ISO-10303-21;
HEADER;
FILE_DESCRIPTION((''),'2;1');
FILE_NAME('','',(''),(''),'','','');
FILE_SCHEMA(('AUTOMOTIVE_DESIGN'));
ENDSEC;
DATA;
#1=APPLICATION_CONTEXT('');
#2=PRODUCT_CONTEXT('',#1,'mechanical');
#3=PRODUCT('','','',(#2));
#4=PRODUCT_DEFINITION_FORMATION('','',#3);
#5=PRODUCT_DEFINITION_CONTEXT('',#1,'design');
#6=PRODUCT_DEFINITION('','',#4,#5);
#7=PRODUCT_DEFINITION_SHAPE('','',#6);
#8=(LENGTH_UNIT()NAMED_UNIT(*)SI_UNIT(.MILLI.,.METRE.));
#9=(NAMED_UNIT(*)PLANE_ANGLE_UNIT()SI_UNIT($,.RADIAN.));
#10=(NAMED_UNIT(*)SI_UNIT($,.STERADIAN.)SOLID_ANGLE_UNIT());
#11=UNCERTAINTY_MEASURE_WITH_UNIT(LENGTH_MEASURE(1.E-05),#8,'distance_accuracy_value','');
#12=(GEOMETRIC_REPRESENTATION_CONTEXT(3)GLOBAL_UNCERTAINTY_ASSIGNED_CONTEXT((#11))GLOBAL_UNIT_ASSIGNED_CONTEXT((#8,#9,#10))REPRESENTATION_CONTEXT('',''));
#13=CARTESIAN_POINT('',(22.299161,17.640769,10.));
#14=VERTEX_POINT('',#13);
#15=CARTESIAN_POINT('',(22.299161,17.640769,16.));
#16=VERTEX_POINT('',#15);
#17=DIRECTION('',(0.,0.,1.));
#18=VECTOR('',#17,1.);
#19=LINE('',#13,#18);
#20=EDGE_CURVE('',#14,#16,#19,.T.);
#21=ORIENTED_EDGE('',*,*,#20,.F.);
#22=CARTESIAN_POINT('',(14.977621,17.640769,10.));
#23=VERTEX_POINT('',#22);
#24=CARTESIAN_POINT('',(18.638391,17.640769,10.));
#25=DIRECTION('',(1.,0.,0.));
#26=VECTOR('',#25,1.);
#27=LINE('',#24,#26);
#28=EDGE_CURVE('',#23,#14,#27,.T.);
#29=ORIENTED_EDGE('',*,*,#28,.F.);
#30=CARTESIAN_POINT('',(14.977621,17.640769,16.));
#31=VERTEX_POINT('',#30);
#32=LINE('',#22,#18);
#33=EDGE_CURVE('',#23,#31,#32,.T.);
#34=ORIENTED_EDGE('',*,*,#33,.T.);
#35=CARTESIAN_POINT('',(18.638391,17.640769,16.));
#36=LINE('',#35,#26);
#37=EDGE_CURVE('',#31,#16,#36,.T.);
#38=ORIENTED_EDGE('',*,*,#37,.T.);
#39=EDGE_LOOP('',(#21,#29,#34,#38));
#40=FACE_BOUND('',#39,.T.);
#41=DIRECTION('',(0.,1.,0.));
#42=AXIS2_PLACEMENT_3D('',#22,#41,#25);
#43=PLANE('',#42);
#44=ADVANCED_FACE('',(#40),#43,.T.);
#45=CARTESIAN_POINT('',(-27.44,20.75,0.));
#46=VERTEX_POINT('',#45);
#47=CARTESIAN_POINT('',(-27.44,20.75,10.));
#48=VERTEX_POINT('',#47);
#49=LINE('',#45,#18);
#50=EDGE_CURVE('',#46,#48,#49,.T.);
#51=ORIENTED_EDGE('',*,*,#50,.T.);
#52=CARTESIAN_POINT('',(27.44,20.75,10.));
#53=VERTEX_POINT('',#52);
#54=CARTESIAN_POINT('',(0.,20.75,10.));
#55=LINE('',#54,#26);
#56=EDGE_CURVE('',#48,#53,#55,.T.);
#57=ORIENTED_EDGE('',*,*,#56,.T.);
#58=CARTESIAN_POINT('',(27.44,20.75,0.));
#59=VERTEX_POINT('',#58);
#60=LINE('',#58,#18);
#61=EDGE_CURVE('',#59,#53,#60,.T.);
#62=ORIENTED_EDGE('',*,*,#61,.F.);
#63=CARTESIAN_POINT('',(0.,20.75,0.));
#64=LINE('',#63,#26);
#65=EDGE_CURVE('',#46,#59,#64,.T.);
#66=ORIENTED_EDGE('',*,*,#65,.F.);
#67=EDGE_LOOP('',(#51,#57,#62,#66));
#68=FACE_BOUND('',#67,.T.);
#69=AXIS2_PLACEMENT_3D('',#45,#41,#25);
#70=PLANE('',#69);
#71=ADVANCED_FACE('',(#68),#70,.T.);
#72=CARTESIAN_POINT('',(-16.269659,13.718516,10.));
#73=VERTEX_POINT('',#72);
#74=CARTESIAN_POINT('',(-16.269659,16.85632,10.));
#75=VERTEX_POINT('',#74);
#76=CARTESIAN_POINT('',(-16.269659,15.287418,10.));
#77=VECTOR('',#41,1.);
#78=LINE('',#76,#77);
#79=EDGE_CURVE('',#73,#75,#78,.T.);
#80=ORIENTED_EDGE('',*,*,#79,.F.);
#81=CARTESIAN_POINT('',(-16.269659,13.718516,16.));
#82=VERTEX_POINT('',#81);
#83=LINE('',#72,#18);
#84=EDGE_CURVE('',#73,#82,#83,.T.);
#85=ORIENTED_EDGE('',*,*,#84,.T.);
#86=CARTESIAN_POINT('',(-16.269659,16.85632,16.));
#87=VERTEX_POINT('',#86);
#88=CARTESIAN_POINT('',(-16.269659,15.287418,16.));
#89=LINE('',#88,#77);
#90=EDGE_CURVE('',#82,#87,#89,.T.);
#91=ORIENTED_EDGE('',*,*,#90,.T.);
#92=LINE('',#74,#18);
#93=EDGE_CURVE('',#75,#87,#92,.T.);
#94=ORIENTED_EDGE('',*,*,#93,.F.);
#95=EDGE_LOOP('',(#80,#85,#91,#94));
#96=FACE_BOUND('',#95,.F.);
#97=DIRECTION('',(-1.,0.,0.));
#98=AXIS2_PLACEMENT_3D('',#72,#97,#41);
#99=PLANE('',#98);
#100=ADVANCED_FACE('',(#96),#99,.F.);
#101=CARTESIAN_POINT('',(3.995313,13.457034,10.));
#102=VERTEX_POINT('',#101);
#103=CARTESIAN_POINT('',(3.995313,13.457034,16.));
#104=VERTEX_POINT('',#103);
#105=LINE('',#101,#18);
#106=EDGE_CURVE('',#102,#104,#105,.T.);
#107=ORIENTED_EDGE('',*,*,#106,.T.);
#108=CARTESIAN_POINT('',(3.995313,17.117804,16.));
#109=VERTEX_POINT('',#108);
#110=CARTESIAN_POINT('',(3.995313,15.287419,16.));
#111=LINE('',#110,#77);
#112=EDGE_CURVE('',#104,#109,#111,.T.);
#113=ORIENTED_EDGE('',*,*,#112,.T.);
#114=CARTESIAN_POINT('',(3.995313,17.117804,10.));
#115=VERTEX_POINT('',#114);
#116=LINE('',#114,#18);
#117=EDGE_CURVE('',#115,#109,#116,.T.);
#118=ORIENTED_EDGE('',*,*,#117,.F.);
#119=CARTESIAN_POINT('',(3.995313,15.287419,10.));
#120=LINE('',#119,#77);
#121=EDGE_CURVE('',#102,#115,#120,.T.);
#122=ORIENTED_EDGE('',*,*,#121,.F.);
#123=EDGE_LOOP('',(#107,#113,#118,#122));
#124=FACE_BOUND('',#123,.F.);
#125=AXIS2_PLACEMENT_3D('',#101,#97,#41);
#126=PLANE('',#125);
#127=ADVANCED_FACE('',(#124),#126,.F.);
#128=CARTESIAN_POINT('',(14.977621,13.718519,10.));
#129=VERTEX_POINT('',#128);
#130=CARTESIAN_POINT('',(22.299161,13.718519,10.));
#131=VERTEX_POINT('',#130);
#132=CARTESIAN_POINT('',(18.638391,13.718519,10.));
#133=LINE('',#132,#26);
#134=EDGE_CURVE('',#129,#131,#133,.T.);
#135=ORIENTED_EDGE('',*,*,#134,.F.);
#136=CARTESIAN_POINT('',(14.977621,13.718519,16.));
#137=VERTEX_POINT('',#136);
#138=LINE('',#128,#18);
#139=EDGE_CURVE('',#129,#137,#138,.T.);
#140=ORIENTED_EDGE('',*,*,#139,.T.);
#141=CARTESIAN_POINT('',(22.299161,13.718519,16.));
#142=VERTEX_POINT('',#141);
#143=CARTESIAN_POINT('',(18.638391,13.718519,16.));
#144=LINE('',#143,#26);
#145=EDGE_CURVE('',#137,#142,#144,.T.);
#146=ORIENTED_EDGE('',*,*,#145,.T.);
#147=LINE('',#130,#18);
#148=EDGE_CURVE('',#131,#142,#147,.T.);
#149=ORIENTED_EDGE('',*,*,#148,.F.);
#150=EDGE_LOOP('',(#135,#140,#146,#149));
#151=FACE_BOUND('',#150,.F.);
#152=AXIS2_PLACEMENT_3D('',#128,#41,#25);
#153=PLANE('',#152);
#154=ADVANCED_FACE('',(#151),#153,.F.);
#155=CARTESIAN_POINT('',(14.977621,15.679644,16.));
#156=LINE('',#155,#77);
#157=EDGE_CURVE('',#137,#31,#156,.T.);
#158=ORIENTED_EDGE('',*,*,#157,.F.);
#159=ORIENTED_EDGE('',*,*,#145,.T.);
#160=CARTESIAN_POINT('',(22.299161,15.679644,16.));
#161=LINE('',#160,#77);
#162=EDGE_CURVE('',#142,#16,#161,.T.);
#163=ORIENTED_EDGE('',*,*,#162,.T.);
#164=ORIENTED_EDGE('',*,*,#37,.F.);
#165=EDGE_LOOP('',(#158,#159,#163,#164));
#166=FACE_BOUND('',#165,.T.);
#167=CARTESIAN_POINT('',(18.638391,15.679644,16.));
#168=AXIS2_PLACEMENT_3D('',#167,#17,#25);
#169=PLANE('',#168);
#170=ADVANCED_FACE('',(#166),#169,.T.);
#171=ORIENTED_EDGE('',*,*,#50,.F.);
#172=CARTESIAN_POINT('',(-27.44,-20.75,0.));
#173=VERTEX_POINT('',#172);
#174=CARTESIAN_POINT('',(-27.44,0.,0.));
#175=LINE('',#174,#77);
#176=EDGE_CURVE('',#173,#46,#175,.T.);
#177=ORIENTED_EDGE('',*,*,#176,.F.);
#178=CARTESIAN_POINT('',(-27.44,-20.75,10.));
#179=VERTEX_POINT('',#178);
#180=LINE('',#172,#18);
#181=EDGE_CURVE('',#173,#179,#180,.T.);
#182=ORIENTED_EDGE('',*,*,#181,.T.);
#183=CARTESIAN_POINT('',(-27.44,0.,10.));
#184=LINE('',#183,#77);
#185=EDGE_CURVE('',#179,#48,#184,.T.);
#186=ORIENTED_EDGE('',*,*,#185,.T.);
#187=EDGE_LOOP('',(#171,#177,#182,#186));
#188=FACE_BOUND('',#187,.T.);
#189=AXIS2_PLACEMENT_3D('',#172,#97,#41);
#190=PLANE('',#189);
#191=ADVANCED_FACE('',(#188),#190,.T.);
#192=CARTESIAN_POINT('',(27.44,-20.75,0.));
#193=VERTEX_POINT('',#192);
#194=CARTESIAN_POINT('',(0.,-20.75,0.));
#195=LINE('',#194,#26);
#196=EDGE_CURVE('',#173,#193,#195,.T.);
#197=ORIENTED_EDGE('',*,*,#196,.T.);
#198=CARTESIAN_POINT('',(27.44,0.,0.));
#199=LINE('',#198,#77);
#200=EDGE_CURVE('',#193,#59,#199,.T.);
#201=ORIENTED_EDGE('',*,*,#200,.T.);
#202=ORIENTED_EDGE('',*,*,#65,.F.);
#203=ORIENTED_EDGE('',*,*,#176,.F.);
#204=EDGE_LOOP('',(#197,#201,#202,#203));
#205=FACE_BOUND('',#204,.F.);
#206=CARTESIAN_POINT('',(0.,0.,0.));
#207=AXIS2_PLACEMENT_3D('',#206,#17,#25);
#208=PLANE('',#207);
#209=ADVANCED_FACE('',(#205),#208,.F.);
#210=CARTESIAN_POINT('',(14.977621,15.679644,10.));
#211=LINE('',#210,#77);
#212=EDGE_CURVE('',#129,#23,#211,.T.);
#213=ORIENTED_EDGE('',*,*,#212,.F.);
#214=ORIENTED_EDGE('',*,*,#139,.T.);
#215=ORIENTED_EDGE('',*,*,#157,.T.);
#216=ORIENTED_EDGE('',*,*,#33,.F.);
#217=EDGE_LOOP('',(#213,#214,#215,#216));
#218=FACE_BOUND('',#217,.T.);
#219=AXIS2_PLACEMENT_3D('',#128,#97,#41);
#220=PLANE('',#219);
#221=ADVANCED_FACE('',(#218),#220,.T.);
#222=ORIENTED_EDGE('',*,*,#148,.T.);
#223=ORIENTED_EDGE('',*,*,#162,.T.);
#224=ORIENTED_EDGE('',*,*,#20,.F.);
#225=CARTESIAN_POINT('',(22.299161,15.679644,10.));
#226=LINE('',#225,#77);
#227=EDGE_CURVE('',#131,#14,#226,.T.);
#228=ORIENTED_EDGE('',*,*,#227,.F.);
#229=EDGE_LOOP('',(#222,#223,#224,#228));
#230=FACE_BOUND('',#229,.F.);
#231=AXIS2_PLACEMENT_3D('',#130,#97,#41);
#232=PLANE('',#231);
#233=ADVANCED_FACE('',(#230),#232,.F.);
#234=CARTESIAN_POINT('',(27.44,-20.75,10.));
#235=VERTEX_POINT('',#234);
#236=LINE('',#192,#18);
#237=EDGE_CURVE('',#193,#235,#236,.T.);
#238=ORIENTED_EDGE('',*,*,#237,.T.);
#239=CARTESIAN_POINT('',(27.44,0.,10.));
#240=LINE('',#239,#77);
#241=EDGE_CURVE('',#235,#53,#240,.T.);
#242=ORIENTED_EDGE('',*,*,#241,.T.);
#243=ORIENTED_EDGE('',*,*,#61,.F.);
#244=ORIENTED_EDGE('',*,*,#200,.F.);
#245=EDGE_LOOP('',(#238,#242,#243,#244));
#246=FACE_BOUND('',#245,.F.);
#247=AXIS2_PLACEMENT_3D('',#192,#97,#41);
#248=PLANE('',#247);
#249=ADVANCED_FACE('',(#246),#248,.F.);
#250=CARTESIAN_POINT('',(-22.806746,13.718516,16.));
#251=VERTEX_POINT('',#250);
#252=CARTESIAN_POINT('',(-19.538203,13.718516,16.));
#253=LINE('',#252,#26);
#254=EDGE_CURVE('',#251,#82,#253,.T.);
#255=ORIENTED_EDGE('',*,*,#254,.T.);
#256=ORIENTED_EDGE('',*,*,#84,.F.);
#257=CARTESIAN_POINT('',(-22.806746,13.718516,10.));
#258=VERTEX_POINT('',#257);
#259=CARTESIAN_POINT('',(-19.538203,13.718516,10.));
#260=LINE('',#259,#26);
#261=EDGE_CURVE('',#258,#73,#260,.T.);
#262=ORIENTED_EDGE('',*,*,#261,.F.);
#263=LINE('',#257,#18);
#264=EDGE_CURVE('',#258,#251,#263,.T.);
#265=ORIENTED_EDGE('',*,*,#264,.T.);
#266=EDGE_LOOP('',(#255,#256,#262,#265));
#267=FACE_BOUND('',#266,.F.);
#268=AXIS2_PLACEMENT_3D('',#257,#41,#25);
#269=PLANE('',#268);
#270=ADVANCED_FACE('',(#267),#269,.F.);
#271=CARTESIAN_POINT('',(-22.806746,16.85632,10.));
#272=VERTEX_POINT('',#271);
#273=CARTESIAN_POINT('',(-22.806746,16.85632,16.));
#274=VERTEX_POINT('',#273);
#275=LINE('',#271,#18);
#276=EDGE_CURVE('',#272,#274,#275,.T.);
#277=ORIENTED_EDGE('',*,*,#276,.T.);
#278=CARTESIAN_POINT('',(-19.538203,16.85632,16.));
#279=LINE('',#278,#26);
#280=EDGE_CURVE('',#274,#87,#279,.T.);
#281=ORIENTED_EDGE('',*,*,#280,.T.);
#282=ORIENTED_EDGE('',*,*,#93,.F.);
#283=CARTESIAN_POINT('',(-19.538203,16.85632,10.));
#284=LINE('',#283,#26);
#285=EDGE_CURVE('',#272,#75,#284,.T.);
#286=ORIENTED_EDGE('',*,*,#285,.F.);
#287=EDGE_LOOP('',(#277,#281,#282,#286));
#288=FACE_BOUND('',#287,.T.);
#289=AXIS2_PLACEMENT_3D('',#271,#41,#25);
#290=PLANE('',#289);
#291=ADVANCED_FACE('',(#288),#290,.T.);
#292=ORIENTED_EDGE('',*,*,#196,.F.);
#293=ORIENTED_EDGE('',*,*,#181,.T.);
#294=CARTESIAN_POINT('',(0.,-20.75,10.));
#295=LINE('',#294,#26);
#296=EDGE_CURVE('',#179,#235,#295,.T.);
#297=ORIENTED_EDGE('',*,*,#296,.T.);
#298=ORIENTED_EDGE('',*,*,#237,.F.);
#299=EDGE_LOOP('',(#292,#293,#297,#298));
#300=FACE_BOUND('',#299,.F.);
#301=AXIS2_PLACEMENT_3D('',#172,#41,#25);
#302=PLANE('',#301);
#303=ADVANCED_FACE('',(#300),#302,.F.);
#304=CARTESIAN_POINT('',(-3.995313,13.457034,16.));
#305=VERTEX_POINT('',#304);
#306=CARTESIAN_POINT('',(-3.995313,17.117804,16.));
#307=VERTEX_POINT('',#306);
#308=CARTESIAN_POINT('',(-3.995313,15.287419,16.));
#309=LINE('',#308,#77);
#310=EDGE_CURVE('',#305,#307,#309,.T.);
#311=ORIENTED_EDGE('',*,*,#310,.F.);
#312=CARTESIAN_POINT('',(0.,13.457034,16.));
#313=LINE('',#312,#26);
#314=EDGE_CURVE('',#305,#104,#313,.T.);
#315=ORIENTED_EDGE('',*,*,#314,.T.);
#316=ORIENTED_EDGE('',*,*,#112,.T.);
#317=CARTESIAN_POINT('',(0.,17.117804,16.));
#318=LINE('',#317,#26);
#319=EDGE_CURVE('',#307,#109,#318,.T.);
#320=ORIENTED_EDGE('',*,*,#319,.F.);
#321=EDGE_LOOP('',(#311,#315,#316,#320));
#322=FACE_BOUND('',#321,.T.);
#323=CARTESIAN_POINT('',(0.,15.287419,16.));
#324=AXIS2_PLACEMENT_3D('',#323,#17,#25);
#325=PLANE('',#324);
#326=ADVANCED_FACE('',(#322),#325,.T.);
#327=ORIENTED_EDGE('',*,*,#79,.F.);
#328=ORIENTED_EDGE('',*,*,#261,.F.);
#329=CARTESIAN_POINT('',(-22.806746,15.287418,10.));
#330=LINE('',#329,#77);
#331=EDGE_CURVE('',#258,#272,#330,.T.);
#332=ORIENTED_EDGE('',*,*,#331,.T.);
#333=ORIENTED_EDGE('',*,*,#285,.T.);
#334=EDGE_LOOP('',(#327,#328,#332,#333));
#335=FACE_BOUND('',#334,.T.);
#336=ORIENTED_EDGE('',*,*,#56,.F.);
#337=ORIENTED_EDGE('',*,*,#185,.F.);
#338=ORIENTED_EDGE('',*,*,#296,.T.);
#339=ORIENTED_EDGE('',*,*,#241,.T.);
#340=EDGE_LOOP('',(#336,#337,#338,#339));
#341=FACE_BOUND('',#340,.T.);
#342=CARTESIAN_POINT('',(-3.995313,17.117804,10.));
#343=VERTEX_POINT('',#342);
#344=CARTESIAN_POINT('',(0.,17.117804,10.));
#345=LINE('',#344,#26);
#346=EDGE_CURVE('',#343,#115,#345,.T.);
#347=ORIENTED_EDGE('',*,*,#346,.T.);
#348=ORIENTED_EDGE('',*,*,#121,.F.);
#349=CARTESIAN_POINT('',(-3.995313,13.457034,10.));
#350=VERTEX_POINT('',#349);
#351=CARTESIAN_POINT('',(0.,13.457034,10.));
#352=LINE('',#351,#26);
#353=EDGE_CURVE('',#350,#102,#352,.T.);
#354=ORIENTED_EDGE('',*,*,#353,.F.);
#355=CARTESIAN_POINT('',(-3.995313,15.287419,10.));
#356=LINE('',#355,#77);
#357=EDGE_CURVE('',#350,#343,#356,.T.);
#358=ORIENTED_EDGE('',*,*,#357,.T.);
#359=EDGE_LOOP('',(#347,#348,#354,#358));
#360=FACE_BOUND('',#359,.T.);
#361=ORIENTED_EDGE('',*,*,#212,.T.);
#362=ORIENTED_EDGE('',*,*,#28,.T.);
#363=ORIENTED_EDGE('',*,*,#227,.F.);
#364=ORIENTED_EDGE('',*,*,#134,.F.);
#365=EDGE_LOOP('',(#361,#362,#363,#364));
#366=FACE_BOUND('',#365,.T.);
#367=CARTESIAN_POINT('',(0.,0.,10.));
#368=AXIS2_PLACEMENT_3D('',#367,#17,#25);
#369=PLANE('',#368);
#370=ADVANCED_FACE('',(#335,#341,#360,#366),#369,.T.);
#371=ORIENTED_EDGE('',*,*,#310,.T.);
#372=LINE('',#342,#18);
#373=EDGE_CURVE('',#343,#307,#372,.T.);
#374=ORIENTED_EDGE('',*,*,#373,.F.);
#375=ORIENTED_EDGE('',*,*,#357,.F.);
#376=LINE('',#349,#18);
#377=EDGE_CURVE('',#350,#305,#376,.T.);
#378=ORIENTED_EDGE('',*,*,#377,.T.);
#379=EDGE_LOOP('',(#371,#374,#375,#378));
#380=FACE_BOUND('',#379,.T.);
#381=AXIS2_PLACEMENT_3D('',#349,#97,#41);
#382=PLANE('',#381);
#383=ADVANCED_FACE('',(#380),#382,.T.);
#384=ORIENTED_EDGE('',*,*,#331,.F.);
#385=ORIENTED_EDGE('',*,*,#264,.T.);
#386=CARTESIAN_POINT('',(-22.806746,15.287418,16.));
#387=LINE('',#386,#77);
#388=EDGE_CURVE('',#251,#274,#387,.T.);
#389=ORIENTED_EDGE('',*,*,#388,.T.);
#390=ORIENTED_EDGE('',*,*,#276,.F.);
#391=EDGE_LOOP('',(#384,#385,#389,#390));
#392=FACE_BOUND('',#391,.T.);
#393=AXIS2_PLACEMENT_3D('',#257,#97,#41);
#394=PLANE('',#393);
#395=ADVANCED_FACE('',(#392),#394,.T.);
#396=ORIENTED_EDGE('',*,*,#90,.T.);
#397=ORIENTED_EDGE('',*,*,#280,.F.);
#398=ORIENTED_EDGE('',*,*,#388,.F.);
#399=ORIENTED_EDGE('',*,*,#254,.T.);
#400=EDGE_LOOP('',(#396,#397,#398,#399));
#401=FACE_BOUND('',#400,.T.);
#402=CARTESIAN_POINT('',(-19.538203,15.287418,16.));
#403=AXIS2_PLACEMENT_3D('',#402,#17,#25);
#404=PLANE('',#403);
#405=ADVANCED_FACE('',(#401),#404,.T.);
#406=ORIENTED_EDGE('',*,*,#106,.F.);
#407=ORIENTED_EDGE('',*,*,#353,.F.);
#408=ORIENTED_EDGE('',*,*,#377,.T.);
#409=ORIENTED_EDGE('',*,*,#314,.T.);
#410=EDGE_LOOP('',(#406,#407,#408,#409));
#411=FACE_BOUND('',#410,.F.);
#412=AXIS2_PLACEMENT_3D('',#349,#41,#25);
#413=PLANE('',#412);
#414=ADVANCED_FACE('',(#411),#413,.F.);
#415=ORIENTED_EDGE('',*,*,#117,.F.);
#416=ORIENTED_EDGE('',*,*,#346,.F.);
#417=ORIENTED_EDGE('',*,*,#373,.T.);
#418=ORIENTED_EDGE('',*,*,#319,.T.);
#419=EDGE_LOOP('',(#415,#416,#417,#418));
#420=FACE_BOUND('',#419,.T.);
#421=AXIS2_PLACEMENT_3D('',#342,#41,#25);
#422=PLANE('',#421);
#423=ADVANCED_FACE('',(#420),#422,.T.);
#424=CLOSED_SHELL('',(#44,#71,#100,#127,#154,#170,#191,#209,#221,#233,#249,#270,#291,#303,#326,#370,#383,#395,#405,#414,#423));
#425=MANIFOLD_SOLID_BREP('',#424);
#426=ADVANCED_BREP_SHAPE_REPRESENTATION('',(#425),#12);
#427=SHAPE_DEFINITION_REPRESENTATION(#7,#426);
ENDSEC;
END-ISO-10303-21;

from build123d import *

# Parameters (mm, degrees)
F0_W     = 54.88
F0_H     = 41.5
F1_DEPTH = 10
F2_W     = 6.537087
F2_H     = 3.137803
F2_W_2   = 7.990626
F2_H_2   = 3.66077
F2_W_3   = 7.32154
F2_H_3   = 3.92225
F3_DEPTH = 6


with BuildPart() as f1:
    # F0 (on Top) → F1 (new body)
    with BuildSketch(Plane.XY):
        Rectangle(F0_W, F0_H)
    extrude(amount=F1_DEPTH)

    # F2 (on face) → F3 (join)
    with BuildSketch(Plane.XY.offset(10)):
        with Locations((-19.538203, 15.287418)):
            Rectangle(F2_W, F2_H)
        with Locations((0, 15.287419)):
            Rectangle(F2_W_2, F2_H_2)
        with Locations((18.638391, 15.679644)):
            Rectangle(F2_W_3, F2_H_3)
    extrude(amount=F3_DEPTH)


solid = f1.part
